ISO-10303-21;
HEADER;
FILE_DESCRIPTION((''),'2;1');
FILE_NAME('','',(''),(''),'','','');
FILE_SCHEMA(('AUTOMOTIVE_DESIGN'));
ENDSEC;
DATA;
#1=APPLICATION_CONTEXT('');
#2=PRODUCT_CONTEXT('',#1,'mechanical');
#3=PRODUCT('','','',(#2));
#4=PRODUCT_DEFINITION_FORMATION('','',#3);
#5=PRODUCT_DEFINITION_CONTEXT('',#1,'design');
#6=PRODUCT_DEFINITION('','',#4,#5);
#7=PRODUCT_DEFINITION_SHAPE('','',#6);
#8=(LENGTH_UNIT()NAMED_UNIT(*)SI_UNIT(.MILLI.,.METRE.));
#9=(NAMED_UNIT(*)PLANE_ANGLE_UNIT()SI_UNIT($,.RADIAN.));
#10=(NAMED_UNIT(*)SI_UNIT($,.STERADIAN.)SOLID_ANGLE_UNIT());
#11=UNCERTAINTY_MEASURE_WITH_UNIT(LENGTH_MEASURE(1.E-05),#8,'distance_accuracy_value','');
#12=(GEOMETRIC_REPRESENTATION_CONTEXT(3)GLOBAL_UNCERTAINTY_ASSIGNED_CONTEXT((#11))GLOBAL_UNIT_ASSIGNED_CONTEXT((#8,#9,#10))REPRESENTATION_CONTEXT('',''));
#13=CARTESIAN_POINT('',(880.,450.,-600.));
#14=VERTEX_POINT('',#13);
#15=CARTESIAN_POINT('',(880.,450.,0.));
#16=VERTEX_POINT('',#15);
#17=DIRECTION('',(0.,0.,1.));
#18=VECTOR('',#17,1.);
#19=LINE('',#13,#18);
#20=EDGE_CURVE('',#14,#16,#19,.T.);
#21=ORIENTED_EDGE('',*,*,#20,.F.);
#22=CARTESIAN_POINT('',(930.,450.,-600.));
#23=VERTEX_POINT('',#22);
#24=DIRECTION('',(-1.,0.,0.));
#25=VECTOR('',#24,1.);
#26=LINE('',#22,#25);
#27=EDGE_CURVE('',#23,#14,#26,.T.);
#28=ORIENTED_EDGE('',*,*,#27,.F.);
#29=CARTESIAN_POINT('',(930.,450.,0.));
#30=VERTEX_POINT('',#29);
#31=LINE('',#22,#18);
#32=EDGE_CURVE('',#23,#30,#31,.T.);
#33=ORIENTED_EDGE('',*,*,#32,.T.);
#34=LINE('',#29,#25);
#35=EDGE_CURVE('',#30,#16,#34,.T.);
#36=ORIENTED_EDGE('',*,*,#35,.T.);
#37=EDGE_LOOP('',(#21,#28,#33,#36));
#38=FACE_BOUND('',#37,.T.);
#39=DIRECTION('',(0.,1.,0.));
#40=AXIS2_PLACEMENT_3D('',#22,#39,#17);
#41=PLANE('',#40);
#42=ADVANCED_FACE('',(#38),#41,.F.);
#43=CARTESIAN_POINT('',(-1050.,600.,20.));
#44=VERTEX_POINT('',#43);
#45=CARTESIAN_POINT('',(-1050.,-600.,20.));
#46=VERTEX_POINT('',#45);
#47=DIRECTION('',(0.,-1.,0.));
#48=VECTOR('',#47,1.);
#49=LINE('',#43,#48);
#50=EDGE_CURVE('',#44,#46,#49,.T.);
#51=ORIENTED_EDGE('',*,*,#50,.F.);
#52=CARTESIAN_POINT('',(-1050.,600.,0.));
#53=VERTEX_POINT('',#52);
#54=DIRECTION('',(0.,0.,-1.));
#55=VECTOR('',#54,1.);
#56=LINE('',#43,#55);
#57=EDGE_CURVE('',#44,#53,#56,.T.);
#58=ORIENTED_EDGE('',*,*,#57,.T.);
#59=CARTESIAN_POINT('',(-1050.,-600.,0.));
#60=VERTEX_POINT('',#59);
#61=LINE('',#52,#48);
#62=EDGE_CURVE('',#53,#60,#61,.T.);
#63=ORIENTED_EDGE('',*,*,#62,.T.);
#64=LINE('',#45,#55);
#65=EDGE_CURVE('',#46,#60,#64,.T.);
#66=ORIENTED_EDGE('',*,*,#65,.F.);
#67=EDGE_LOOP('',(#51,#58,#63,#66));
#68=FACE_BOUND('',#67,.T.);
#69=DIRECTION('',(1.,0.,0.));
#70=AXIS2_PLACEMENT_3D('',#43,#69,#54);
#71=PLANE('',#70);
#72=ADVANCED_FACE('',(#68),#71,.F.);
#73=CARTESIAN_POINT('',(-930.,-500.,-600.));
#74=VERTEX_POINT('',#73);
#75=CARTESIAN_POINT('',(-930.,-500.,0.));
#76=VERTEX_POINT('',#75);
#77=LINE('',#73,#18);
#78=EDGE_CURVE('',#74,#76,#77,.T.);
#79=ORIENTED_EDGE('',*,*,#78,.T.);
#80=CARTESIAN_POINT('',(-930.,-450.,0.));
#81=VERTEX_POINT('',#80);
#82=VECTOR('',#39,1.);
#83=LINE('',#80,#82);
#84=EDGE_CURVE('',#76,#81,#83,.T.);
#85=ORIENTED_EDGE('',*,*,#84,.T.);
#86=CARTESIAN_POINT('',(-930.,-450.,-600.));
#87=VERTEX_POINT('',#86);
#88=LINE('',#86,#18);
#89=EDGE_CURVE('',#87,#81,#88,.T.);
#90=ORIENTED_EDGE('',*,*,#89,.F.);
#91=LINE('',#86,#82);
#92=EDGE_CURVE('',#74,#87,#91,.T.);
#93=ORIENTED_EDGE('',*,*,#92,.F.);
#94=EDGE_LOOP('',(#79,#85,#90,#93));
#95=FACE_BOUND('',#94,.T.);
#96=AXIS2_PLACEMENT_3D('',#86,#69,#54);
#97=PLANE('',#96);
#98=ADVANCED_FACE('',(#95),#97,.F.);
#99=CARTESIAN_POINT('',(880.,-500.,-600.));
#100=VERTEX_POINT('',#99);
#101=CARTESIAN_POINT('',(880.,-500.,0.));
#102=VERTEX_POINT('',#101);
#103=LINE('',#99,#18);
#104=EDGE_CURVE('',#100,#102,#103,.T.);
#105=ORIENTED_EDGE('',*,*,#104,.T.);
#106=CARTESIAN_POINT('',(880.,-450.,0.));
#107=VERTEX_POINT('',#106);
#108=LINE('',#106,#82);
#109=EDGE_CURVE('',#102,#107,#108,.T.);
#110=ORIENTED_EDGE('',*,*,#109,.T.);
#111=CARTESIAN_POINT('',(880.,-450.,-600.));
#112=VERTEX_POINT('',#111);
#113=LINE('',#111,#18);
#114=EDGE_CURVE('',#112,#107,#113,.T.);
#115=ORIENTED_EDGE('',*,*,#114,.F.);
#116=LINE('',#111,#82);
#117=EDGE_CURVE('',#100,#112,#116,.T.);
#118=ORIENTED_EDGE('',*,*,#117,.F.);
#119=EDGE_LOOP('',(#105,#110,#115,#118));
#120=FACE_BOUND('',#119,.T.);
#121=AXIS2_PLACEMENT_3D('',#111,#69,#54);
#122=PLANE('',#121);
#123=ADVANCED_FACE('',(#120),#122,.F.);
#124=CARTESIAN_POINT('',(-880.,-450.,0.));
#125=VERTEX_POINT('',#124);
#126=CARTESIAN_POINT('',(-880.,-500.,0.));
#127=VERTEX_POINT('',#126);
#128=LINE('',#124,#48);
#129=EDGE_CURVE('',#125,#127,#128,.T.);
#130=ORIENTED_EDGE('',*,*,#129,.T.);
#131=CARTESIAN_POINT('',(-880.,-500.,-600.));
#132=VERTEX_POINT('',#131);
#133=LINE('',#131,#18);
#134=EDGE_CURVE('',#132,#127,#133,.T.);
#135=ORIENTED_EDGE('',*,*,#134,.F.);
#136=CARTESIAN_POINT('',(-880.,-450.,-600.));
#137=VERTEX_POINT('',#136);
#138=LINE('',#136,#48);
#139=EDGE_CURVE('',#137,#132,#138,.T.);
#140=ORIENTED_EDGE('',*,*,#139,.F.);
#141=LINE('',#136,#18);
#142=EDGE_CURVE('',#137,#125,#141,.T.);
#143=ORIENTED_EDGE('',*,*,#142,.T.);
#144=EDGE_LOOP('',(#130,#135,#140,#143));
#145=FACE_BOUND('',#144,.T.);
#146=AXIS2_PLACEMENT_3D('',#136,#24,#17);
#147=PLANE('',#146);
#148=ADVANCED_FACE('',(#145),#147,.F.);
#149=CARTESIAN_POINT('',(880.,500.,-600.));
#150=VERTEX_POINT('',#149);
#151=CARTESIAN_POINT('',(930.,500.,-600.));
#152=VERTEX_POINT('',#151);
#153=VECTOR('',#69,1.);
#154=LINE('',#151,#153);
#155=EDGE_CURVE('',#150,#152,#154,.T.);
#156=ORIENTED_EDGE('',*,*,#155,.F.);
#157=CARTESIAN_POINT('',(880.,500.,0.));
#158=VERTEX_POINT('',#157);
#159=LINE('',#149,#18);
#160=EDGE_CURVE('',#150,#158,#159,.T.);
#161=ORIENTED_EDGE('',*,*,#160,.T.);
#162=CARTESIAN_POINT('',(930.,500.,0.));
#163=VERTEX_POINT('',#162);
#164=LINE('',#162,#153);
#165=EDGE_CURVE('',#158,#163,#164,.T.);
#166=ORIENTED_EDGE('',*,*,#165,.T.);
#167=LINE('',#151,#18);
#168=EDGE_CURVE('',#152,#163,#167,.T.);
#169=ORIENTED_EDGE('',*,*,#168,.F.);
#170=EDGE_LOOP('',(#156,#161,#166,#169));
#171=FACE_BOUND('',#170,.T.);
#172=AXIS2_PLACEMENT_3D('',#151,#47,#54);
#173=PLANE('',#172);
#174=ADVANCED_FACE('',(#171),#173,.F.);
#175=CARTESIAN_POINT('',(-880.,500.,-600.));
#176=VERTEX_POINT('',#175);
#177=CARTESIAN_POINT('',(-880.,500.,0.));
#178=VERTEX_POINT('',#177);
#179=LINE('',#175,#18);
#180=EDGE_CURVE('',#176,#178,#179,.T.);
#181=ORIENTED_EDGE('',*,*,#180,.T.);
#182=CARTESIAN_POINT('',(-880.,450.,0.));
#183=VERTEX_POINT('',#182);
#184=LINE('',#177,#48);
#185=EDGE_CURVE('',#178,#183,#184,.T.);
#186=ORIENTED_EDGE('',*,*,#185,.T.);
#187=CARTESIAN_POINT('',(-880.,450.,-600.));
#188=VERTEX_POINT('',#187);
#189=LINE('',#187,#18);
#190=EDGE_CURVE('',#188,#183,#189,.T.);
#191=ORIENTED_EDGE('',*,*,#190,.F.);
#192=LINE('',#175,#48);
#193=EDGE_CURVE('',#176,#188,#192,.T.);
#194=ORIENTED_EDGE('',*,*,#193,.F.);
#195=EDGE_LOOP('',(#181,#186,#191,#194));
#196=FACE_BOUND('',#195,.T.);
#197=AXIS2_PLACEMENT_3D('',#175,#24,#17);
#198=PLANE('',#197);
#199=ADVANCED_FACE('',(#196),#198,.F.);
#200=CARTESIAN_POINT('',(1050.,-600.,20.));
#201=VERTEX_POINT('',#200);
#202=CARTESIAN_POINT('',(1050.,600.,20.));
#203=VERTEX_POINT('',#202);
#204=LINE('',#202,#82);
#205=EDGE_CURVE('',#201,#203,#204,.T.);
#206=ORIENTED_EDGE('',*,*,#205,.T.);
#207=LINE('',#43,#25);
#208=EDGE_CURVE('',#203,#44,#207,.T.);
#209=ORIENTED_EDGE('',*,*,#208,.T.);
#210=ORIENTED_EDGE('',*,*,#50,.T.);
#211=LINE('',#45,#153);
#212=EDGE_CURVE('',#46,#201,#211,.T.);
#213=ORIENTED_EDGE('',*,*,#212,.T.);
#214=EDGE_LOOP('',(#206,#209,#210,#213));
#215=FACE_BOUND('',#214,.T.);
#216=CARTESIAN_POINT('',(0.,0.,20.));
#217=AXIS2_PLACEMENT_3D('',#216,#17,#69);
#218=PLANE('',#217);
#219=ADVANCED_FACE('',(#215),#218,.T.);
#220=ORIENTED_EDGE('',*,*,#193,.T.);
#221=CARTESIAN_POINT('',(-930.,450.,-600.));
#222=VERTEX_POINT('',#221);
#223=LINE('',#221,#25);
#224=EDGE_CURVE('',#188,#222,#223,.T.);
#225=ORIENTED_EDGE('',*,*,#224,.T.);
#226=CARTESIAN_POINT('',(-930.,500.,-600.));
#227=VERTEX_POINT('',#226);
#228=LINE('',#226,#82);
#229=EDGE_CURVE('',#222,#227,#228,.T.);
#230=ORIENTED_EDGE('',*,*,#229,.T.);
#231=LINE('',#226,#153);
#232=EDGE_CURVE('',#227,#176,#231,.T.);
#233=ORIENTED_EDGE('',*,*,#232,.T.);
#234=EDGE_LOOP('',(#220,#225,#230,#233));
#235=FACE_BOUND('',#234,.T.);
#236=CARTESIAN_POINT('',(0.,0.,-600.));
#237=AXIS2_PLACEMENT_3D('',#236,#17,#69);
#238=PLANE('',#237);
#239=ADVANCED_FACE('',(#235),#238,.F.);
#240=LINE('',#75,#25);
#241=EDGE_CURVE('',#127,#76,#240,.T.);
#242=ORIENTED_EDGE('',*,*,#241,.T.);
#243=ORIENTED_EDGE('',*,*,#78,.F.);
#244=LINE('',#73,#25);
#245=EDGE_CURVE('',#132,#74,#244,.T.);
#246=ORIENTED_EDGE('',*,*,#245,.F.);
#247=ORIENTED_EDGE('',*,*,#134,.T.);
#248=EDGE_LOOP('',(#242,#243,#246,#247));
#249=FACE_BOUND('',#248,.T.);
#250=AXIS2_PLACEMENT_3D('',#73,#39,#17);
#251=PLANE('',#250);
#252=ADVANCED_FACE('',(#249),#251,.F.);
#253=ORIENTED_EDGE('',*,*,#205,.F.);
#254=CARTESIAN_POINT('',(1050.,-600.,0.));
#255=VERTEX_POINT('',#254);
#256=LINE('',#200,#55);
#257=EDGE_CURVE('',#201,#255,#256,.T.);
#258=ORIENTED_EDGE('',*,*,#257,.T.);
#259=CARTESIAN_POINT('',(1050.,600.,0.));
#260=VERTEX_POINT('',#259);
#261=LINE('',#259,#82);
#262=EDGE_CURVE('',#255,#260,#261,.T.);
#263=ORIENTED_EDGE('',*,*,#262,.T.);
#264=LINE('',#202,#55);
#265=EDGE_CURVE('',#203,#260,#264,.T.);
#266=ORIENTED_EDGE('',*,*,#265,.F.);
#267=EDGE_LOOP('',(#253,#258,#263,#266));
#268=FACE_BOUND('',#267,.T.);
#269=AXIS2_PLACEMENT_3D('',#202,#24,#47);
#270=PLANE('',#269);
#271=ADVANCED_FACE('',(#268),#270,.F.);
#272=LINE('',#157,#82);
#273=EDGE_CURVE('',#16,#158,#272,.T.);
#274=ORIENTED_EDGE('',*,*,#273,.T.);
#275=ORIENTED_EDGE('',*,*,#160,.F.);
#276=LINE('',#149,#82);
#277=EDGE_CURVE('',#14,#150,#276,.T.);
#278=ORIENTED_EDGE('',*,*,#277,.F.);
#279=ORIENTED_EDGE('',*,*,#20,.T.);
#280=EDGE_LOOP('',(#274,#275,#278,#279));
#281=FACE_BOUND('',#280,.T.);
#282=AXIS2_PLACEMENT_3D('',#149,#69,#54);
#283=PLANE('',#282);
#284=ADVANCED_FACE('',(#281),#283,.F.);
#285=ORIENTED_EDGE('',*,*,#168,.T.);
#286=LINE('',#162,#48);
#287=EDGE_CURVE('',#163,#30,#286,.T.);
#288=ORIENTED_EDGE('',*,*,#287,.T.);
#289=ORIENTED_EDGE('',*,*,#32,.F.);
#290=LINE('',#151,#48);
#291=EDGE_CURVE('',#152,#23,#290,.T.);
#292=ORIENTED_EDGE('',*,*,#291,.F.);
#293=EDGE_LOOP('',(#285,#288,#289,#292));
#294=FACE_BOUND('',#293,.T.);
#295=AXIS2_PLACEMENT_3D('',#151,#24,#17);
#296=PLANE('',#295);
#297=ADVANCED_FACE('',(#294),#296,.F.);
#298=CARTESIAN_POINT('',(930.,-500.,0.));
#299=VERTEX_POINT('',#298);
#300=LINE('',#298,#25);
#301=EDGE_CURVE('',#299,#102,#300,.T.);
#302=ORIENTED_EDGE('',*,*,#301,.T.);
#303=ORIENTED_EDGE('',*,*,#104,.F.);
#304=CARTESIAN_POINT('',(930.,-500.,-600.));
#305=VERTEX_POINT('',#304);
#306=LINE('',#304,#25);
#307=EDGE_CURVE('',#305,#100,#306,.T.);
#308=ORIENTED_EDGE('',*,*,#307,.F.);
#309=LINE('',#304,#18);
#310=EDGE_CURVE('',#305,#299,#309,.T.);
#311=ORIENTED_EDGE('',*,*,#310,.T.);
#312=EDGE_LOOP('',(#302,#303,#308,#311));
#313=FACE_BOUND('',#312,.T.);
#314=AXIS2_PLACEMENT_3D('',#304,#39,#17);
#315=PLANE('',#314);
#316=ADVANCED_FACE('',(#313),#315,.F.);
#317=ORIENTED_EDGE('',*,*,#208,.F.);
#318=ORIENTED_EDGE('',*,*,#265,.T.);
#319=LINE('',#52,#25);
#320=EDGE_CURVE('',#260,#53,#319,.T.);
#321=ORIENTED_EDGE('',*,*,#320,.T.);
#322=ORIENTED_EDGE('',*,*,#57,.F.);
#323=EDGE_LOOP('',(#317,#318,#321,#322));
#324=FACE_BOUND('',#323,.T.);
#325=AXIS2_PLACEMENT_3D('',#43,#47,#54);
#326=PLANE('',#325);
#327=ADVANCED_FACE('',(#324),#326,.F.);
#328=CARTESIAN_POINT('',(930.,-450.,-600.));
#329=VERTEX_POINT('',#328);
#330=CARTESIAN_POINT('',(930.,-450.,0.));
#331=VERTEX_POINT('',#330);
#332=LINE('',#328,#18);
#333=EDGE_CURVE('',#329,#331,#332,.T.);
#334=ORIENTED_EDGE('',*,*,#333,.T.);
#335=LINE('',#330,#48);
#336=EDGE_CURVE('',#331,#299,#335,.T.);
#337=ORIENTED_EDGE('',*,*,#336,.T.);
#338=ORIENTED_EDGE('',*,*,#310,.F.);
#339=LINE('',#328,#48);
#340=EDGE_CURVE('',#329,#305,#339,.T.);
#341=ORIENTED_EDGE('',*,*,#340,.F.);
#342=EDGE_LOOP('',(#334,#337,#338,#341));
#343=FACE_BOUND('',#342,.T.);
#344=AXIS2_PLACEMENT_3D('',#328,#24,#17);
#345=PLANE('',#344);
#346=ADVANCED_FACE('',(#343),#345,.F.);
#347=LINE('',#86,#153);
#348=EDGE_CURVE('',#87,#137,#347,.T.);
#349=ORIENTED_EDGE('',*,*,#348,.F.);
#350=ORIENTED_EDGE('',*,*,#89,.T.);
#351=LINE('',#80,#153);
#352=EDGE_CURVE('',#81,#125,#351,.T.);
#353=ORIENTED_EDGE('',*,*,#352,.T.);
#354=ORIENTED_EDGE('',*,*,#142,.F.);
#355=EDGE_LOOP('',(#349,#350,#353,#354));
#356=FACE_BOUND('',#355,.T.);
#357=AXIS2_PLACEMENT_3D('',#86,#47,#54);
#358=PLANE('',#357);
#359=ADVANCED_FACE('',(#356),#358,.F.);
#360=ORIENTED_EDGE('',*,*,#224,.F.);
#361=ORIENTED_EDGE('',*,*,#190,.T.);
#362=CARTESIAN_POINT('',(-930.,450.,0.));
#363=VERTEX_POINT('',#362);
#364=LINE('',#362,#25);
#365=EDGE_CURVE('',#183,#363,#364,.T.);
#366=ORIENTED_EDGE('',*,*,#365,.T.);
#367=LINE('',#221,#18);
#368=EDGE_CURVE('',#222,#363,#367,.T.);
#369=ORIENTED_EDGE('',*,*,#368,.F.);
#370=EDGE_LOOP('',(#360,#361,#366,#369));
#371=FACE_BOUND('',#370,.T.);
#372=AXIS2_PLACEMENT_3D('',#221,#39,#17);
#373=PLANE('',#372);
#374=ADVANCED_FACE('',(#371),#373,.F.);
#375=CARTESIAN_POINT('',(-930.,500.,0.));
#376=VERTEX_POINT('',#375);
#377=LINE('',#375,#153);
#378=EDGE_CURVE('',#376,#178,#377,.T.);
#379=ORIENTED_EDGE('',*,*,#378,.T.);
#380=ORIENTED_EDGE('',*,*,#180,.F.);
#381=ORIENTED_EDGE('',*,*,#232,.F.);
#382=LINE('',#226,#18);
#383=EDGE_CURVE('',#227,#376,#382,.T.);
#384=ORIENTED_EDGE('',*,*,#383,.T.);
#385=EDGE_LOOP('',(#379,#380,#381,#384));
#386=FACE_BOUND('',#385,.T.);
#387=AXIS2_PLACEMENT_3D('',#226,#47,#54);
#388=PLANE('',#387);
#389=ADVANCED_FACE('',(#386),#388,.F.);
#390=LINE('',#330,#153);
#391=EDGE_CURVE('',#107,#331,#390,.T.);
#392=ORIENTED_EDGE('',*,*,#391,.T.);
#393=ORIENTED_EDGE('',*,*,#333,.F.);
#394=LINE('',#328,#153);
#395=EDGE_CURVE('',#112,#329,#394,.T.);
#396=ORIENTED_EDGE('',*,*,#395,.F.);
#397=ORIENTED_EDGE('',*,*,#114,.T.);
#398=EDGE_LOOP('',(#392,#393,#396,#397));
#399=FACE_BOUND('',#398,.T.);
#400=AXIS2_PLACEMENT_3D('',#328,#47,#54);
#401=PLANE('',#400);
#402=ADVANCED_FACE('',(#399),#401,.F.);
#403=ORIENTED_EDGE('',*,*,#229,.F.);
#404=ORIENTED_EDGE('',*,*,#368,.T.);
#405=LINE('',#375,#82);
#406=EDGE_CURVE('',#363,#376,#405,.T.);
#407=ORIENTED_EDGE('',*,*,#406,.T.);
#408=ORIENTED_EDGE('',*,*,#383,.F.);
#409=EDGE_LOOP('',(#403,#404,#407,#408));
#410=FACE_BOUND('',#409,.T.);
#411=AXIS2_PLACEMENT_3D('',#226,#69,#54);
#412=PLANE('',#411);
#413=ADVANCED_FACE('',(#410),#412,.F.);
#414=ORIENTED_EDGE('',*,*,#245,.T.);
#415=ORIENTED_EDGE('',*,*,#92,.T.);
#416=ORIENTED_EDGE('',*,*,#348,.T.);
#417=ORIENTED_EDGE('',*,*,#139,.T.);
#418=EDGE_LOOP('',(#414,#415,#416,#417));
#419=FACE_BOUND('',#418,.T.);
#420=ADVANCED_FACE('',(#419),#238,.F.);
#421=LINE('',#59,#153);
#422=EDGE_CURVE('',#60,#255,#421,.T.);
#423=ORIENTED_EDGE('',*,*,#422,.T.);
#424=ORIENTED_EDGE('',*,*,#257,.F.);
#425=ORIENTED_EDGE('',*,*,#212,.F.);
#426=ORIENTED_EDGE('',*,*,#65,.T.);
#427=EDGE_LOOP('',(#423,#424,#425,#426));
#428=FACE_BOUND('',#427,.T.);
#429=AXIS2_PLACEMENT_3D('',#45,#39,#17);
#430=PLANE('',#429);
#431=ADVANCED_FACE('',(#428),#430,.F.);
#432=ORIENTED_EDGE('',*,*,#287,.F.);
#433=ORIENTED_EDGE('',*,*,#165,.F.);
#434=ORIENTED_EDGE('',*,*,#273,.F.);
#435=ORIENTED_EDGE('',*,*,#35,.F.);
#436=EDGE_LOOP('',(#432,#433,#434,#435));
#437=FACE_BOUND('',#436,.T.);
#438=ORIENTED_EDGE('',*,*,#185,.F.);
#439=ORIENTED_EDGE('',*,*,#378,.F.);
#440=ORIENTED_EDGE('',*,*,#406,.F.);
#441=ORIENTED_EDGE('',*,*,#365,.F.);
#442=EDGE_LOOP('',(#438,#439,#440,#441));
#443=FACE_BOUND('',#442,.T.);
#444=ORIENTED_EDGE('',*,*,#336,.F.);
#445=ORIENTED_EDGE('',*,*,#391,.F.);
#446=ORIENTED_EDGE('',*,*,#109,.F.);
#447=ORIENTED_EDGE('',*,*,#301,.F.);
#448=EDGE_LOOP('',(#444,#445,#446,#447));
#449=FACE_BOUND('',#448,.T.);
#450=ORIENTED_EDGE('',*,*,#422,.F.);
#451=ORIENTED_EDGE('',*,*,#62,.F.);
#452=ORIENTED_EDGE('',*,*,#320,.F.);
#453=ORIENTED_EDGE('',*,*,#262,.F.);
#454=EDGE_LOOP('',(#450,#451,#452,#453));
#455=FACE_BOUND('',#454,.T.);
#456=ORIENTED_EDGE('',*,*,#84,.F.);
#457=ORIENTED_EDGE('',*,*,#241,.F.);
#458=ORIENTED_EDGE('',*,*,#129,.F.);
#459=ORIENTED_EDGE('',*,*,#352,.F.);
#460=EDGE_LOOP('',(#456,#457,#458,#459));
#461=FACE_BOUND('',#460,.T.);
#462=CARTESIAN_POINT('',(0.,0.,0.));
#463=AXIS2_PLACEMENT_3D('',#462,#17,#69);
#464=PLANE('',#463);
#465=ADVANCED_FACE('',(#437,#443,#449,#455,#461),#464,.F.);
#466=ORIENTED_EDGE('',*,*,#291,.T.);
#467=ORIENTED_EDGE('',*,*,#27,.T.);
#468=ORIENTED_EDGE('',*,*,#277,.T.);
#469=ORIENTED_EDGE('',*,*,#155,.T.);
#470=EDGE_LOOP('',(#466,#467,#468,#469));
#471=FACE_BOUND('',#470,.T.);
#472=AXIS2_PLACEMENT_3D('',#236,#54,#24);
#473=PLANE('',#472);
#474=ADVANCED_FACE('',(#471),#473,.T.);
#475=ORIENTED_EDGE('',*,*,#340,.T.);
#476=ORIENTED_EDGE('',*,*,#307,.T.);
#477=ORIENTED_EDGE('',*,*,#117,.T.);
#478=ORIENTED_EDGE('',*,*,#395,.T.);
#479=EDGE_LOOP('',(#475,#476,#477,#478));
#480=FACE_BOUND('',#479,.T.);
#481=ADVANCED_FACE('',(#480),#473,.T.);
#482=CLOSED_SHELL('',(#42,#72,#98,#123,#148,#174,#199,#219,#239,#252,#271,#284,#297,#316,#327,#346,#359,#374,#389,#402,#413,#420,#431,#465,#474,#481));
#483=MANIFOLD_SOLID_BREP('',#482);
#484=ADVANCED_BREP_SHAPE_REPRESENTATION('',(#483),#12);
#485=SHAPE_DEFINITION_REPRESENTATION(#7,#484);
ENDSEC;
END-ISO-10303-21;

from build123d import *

# Parameters (mm, degrees)
ESBO_O1_W                = 2100
ESBO_O1_H                = 1200
RESSALTO_EXTRUS_O1_DEPTH = 20
ESBO_O2_W                = 50
ESBO_O2_H                = 50
RESSALTO_EXTRUS_O2_DEPTH = 600


with BuildPart() as part:
    # Esboço1 → Ressalto-extrusão1 (new body)
    with BuildSketch(Plane.XY):
        Rectangle(ESBO_O1_W, ESBO_O1_H)
    extrude(amount=RESSALTO_EXTRUS_O1_DEPTH)

    # Esboço2 → Ressalto-extrusão2 (add)
    with BuildSketch(Plane(origin=(0, 0, 0), x_dir=(-1, 0, 0), z_dir=(0, 0, -1))):
        with Locations((-905, 475)):
            Rectangle(ESBO_O2_W, ESBO_O2_H)
        with Locations((905, -475)):
            Rectangle(ESBO_O2_W, ESBO_O2_H)
        with Locations((-905, -475)):
            Rectangle(ESBO_O2_W, ESBO_O2_H)
        with Locations((905, 475)):
            Rectangle(ESBO_O2_W, ESBO_O2_H)
    extrude(amount=RESSALTO_EXTRUS_O2_DEPTH)


solid = part.part
